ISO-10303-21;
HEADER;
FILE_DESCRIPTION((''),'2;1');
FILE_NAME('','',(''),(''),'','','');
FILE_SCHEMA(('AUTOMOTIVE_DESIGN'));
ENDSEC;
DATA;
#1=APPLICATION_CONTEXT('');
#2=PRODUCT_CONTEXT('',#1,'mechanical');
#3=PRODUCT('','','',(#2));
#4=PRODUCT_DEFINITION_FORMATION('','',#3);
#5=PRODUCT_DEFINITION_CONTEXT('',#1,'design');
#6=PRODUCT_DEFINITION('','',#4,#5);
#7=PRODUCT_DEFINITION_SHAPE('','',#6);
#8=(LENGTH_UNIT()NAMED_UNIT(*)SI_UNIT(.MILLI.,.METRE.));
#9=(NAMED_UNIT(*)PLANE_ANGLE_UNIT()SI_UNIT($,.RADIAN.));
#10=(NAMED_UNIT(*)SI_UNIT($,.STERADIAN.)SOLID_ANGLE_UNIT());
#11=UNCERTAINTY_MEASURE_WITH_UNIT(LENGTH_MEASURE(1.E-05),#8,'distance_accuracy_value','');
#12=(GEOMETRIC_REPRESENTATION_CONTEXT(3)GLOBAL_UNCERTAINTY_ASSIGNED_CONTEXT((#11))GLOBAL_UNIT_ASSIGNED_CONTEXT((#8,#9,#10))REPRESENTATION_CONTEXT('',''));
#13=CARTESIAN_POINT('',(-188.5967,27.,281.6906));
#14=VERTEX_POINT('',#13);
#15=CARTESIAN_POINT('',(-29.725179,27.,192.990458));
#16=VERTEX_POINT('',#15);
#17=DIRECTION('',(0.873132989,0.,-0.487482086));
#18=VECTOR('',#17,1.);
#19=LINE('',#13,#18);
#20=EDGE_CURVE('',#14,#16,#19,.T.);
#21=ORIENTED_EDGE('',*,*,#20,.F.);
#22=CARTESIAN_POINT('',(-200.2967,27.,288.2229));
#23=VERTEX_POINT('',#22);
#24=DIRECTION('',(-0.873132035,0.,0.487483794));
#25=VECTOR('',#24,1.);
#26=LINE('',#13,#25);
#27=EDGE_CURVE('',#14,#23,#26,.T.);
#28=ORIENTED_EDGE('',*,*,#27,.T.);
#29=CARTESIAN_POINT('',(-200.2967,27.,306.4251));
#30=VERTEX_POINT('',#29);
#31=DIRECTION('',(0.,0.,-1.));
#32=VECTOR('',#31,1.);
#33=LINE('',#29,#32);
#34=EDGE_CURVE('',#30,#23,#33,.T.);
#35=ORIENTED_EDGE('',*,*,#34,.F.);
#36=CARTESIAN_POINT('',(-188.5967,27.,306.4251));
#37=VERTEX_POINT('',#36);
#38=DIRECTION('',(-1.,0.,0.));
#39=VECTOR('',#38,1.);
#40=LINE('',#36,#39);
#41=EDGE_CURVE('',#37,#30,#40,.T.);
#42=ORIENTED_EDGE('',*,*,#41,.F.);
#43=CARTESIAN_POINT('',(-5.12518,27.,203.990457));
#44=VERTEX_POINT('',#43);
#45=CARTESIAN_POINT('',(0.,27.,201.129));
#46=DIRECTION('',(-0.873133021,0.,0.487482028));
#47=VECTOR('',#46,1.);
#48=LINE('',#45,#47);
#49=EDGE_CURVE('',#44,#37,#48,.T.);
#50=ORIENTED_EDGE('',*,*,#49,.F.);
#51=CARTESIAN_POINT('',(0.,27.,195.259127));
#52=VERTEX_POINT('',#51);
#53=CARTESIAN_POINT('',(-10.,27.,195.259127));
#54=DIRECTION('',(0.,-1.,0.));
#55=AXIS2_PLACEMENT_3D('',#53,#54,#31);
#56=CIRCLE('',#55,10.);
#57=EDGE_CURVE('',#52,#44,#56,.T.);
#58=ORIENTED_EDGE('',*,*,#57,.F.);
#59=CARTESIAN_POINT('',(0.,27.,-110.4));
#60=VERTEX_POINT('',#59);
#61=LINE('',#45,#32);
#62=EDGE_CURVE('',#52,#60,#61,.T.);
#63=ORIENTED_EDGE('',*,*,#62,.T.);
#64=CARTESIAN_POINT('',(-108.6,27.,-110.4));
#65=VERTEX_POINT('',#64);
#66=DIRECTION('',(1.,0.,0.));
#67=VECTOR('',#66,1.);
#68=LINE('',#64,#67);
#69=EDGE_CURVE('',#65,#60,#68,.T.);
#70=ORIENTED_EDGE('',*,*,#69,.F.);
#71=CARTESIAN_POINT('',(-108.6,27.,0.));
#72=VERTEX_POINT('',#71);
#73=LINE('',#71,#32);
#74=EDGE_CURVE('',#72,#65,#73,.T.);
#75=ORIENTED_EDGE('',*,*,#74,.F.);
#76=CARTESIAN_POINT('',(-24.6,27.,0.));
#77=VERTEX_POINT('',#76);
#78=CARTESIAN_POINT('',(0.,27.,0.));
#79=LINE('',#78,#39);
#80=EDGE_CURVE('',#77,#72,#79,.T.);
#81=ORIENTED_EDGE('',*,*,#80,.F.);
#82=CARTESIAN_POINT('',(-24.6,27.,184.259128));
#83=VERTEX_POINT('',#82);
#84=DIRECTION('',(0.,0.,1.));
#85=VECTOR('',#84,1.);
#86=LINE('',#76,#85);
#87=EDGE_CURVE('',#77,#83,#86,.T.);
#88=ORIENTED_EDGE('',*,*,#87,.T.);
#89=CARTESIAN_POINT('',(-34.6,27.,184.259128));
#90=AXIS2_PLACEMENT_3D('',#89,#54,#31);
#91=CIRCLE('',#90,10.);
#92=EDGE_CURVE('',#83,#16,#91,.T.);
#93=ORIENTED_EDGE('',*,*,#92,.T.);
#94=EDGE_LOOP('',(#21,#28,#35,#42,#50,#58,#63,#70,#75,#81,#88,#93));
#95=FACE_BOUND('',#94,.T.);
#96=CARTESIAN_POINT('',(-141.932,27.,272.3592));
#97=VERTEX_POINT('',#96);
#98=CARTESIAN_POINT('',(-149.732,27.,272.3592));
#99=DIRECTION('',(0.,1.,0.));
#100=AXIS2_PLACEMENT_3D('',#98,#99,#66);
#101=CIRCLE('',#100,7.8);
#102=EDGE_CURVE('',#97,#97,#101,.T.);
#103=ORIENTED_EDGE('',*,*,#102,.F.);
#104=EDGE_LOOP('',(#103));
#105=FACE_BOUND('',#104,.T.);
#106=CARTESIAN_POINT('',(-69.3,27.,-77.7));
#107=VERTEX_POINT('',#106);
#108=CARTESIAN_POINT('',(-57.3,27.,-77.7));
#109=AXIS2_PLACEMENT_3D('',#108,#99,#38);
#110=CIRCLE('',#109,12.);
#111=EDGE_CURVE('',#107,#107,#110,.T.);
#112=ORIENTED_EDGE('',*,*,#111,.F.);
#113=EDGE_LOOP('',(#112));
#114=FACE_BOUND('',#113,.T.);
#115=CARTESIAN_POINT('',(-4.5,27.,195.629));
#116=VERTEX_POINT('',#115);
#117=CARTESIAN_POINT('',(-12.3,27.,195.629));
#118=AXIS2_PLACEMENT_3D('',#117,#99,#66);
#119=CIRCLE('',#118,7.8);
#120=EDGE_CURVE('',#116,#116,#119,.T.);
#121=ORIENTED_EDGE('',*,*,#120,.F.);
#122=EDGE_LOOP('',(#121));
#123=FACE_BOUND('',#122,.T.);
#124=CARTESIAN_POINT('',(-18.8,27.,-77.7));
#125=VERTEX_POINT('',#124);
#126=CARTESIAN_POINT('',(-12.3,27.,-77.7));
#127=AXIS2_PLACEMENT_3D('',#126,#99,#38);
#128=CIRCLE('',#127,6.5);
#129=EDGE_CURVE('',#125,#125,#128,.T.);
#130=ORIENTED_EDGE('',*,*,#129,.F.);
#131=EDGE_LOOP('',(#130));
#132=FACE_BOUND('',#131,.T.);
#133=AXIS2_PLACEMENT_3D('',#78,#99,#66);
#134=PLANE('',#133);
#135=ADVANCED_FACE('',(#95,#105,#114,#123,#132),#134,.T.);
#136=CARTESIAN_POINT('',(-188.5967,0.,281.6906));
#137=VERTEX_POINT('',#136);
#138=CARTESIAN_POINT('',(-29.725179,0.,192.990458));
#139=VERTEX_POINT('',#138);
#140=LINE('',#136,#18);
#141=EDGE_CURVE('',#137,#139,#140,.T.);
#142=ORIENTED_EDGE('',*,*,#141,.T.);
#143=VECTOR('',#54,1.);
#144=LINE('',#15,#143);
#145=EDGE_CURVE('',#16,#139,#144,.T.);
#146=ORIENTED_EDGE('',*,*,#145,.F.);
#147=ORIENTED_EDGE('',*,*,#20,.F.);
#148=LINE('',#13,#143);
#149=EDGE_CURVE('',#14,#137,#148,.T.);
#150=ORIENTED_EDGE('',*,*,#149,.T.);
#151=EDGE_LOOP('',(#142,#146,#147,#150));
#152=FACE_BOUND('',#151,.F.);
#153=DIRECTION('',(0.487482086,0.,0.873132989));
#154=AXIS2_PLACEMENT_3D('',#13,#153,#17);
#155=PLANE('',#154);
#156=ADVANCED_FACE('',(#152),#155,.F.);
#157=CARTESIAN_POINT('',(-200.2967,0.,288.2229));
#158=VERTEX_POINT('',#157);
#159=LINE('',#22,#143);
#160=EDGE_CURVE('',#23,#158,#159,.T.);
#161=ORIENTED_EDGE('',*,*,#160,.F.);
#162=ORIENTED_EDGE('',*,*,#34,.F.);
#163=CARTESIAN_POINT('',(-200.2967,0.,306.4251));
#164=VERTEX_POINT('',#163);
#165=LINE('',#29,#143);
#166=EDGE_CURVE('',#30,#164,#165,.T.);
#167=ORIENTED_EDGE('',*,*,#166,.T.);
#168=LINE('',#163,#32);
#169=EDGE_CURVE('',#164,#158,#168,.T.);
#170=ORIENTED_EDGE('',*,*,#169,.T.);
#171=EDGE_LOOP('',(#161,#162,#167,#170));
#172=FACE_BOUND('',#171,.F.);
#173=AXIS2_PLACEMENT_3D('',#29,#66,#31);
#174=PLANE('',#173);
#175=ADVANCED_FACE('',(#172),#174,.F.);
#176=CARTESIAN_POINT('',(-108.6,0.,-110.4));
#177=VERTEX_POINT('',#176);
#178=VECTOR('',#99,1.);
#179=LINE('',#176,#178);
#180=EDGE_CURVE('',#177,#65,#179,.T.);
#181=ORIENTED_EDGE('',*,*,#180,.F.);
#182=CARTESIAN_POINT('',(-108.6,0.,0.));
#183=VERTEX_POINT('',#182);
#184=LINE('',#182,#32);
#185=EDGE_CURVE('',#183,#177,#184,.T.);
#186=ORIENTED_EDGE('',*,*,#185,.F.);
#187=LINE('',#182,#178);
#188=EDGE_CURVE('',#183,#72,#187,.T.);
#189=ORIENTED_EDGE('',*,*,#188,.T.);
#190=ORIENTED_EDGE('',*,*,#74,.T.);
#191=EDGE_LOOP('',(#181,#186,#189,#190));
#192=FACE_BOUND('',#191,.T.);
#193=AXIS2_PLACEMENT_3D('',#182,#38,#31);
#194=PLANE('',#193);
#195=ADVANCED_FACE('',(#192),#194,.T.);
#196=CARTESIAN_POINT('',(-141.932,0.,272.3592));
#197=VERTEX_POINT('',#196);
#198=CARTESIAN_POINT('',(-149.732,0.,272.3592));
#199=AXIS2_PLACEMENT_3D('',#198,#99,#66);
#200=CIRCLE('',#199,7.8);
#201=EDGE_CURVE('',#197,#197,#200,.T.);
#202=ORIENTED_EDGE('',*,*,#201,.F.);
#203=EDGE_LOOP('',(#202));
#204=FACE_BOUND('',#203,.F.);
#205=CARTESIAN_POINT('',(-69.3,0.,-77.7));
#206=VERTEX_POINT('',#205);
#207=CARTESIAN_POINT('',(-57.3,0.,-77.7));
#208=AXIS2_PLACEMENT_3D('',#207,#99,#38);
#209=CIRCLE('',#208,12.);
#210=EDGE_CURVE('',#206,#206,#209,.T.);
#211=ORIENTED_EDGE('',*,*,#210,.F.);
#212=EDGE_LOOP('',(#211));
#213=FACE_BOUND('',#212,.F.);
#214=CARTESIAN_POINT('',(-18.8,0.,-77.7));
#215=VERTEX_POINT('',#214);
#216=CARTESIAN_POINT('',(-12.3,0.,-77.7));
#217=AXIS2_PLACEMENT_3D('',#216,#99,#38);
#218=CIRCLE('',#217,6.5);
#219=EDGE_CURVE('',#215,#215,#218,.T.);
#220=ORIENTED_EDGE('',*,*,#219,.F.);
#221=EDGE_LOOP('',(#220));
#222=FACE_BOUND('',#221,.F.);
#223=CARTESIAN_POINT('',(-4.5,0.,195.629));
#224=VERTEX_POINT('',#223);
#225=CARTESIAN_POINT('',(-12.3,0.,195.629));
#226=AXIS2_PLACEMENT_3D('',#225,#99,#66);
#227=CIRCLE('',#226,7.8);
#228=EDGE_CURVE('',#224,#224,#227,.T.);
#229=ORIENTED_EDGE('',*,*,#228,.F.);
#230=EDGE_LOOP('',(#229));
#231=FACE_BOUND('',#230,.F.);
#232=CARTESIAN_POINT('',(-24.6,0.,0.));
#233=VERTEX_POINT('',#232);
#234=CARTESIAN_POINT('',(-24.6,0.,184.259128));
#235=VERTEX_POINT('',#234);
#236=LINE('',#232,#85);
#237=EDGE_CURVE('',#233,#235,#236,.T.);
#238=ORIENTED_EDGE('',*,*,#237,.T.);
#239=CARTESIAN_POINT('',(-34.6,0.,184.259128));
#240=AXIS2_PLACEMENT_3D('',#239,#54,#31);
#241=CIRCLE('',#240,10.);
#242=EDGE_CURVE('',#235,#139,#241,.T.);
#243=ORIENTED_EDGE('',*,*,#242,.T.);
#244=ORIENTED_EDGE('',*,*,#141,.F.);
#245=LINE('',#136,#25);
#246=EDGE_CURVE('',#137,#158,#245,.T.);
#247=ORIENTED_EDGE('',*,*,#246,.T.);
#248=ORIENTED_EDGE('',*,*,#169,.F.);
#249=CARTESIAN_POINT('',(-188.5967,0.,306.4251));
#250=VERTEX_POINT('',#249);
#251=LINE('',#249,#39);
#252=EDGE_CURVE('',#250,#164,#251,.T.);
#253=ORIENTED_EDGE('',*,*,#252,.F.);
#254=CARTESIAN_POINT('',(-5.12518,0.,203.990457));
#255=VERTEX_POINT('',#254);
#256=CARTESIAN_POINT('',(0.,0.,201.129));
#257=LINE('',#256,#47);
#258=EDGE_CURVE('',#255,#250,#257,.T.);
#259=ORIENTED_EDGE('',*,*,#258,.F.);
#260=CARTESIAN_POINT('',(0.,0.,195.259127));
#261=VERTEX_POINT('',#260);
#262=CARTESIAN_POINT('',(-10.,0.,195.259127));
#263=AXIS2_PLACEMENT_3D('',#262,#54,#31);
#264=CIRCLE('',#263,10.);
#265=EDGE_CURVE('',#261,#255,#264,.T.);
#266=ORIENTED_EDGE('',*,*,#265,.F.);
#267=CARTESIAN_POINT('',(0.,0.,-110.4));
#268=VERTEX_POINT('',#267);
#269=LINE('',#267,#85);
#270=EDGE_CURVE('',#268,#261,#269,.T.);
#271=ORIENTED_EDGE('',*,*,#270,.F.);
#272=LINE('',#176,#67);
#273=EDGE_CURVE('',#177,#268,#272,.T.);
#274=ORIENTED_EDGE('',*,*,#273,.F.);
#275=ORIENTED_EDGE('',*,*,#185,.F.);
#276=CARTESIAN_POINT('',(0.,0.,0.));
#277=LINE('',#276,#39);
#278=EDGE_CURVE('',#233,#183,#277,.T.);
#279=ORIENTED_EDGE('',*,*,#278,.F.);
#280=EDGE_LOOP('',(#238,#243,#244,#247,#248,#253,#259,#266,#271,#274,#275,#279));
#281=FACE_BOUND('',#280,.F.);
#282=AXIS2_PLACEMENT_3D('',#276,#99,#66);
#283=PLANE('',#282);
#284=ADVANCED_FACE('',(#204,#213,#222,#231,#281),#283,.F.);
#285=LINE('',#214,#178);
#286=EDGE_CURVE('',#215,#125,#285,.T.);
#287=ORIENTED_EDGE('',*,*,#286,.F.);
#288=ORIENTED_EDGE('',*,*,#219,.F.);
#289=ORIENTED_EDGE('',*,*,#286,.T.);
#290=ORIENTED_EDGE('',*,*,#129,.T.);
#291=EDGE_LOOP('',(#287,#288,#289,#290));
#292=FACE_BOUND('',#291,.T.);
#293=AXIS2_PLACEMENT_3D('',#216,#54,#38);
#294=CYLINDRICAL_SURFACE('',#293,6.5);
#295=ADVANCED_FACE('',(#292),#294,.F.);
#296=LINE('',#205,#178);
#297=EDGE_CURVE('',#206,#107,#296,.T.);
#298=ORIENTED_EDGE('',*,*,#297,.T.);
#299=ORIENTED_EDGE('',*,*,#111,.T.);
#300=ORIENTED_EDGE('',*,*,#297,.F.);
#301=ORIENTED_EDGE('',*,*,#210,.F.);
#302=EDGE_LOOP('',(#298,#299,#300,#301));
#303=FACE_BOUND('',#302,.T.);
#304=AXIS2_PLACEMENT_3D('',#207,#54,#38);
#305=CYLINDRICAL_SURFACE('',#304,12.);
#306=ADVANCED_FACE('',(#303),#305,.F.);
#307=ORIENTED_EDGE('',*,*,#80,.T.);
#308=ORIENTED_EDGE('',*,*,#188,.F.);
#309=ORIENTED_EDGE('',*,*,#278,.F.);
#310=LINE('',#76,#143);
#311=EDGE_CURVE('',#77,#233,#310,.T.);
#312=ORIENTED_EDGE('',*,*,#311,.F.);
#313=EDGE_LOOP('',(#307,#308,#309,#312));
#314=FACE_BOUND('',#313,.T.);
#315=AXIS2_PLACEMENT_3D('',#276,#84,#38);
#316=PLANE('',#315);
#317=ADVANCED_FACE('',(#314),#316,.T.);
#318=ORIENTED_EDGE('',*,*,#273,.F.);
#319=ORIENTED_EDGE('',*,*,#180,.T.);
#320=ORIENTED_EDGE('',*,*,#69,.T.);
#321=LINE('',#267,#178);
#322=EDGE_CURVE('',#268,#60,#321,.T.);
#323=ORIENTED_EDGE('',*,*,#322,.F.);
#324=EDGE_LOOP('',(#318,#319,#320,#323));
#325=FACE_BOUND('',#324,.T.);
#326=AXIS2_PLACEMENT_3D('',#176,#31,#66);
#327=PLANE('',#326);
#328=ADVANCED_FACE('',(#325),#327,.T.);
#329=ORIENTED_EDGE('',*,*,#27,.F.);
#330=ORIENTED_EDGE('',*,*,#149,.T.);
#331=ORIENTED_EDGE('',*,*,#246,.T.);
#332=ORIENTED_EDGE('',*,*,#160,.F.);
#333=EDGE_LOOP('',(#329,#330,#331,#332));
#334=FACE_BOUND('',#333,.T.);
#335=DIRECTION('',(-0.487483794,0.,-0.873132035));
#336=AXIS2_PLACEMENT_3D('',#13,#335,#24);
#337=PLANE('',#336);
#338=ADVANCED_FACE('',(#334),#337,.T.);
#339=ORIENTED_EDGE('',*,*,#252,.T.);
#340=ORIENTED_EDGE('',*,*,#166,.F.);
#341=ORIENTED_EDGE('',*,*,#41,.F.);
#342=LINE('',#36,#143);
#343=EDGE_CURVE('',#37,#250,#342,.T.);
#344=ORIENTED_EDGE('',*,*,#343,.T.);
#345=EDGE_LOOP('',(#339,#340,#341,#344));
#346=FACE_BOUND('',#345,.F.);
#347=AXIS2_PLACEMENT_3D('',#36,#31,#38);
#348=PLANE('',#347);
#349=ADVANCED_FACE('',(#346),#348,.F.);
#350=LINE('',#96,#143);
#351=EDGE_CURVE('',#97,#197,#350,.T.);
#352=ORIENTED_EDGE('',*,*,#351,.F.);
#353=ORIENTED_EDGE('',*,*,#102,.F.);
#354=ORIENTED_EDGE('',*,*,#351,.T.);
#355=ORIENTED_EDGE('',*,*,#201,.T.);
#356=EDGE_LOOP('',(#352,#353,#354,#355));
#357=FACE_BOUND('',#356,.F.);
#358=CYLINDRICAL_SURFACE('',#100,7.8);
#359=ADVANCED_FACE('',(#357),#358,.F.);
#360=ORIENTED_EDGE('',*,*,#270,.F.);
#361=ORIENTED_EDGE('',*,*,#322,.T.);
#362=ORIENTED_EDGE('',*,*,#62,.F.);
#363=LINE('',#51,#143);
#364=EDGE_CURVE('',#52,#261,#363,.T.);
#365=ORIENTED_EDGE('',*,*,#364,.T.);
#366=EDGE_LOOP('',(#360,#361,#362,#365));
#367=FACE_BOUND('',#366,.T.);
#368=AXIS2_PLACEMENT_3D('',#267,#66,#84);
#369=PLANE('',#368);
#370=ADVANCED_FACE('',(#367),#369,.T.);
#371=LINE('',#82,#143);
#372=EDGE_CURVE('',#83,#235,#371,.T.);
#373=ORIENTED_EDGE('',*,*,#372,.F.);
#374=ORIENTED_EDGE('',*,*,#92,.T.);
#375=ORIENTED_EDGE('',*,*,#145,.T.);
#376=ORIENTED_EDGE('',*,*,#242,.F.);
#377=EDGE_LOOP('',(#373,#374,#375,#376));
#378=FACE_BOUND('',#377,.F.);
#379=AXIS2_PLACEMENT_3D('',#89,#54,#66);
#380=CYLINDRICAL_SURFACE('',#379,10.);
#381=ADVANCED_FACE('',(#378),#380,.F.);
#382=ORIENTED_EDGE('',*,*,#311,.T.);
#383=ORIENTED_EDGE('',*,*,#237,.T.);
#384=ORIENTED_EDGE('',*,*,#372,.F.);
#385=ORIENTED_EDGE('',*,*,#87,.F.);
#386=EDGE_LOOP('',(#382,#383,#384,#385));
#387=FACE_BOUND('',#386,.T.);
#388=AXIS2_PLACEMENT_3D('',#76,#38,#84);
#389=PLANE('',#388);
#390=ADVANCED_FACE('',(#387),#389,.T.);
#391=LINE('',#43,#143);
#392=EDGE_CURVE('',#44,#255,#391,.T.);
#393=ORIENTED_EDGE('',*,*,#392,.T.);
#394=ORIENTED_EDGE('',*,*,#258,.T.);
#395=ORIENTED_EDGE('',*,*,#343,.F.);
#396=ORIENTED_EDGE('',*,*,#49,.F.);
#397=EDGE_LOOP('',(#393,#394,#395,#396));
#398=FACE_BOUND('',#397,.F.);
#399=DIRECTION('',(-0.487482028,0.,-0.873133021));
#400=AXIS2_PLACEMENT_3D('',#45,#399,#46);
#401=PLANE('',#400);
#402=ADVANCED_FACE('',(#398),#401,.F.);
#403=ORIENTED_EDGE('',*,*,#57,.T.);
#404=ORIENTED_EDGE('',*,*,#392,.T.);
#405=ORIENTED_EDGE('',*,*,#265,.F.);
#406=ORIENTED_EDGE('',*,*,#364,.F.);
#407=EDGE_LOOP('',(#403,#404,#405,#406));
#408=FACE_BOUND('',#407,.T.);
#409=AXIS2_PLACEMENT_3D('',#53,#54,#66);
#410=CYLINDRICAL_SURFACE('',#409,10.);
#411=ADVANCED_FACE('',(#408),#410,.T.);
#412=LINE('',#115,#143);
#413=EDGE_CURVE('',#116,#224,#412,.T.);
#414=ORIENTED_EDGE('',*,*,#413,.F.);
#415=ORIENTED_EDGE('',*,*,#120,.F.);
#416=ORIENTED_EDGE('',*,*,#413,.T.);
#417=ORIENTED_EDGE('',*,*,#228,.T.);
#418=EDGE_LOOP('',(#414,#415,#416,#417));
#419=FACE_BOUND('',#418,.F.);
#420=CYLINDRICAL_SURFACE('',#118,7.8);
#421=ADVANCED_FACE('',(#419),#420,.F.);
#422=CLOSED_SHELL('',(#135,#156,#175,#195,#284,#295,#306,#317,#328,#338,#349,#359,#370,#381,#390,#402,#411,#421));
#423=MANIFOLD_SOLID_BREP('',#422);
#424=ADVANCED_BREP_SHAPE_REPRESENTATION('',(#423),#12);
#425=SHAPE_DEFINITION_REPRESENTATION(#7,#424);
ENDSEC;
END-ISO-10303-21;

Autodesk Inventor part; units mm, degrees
ref_plane "YZ Plane" through (0, 0, 0) normal (1, 0, 0) x (0, 1, 0)
ref_plane "XZ Plane" through (0, 0, 0) normal (0, 1, 0) x (-1, 0, 0)
ref_plane "XY Plane" through (0, 0, 0) normal (0, 0, 1) x (1, 0, 0)
sketch "Sketch1" plane through (0, 0, 0) normal (0, 1, 0) x (-1, 0, 0)
  line L0 (0, 0) -> (108.6, 0)
  line L1 (108.6, 0) -> (108.6, -110.4)
  line L2 (108.6, -110.4) -> (0, -110.4)
  line L3 (0, -110.4) -> (0, 0)
  circle A0 centre (12.3, -77.7) radius 6.5
  circle A1 centre (57.3, -77.7) radius 12
  dimension "d0" = 108.6
  dimension "d1" = 110.4
  dimension "d2" = 13
  dimension "altura_hoyo" = 12.3
  dimension "d5" = 32.7
  dimension "d6" = 24
  dimension "d7" = 45
extrude "Extrusion1" add sketch "Sketch1" along normal blind 27
sketch "Sketch2" plane through (0, 27, 0) normal (0, 1, 0) x (1, 0, 0)
  line L0 (0, 110.4) -> (-108.6, 110.4) construction
  line L1 (0, 0) -> (0, -195.629)
  line L2 (0, -195.629) -> (0, -201.129)
  line L3 (0, -201.129) -> (-188.5967, -306.4251)
  line L4 (-24.6, 0) -> (-24.6, -190.129)
  line L5 (-188.5967, -281.6906) -> (-24.6, -190.129)
  line L6 (-188.5967, -306.4251) -> (-188.5967, -281.6906)
  circle A0 centre (-12.3, -195.629) radius 7.8
  circle A1 centre (-12.3, 77.7) radius 6.5 construction
  line L7 (-108.6, 0) -> (0, 0) projected
  line L8 (0, 0) -> (-24.6, 0)
  line L9 (-12.3, -195.629) -> (-149.732, -272.3592) construction
  line L10 (0, -201.129) -> (-12.3, -195.629) construction
  line L11 (-42.6296, -182.067) -> (-12.3, -195.629) construction
  circle A2 centre (-149.732, -272.3592) radius 7.8
  dimension "d10" = 306.029
  dimension "d11" = 5.5
  dimension "d12" = 119.175
  dimension "Ancho_marco" = 24.6
  dimension "d18" = 15.6
  dimension "d21" = 216
  dimension "d26" = 12.3
  dimension "d_entre_ejes" = 157.401
  dimension "d28" = 15.6
  dimension "d31" = 195.629
  dimension "d32" = 273.329
extrude "Extrusion2" add sketch "Sketch2" against normal blind 27 contours L1 L2 L3 L6 L5 L4 L7 | A2
fillet "Fillet1" radius 10 2 edges at (-24.6, 13.5, 190.129) (0, 13.5, 201.129)
sketch "Sketch3" plane through (0, 27, 0) normal (0, 1, 0) x (1, 0, 0)
  line L0 (-188.5967, -281.6906) -> (-188.5967, -306.4251) projected
  line L1 (-188.5967, -306.4251) -> (-200.2967, -306.4251)
  line L2 (-200.2967, -306.4251) -> (-200.2967, -288.2229)
  line L3 (-188.5967, -306.4251) -> (-188.5967, -281.6906) projected
  line L4 (-188.5967, -281.6906) -> (-200.2967, -288.2229)
  line L5 (-29.7252, -192.9905) -> (-188.5967, -281.6906) projected
  point P0 (0, 0)
  dimension "d23" = 11.7
extrude "Extrusion3" add sketch "Sketch3" against normal blind 27
extrude "Extrusion4" cut sketch "Sketch2" against normal blind 27 contours A2
equation "\"d11\" = 0.5 * D_eje"
equation "\"d18\" = d28"
equation "\"D_eje\" = 11"
properties part number "Marco_triciclo" material "Aluminum 6061"
